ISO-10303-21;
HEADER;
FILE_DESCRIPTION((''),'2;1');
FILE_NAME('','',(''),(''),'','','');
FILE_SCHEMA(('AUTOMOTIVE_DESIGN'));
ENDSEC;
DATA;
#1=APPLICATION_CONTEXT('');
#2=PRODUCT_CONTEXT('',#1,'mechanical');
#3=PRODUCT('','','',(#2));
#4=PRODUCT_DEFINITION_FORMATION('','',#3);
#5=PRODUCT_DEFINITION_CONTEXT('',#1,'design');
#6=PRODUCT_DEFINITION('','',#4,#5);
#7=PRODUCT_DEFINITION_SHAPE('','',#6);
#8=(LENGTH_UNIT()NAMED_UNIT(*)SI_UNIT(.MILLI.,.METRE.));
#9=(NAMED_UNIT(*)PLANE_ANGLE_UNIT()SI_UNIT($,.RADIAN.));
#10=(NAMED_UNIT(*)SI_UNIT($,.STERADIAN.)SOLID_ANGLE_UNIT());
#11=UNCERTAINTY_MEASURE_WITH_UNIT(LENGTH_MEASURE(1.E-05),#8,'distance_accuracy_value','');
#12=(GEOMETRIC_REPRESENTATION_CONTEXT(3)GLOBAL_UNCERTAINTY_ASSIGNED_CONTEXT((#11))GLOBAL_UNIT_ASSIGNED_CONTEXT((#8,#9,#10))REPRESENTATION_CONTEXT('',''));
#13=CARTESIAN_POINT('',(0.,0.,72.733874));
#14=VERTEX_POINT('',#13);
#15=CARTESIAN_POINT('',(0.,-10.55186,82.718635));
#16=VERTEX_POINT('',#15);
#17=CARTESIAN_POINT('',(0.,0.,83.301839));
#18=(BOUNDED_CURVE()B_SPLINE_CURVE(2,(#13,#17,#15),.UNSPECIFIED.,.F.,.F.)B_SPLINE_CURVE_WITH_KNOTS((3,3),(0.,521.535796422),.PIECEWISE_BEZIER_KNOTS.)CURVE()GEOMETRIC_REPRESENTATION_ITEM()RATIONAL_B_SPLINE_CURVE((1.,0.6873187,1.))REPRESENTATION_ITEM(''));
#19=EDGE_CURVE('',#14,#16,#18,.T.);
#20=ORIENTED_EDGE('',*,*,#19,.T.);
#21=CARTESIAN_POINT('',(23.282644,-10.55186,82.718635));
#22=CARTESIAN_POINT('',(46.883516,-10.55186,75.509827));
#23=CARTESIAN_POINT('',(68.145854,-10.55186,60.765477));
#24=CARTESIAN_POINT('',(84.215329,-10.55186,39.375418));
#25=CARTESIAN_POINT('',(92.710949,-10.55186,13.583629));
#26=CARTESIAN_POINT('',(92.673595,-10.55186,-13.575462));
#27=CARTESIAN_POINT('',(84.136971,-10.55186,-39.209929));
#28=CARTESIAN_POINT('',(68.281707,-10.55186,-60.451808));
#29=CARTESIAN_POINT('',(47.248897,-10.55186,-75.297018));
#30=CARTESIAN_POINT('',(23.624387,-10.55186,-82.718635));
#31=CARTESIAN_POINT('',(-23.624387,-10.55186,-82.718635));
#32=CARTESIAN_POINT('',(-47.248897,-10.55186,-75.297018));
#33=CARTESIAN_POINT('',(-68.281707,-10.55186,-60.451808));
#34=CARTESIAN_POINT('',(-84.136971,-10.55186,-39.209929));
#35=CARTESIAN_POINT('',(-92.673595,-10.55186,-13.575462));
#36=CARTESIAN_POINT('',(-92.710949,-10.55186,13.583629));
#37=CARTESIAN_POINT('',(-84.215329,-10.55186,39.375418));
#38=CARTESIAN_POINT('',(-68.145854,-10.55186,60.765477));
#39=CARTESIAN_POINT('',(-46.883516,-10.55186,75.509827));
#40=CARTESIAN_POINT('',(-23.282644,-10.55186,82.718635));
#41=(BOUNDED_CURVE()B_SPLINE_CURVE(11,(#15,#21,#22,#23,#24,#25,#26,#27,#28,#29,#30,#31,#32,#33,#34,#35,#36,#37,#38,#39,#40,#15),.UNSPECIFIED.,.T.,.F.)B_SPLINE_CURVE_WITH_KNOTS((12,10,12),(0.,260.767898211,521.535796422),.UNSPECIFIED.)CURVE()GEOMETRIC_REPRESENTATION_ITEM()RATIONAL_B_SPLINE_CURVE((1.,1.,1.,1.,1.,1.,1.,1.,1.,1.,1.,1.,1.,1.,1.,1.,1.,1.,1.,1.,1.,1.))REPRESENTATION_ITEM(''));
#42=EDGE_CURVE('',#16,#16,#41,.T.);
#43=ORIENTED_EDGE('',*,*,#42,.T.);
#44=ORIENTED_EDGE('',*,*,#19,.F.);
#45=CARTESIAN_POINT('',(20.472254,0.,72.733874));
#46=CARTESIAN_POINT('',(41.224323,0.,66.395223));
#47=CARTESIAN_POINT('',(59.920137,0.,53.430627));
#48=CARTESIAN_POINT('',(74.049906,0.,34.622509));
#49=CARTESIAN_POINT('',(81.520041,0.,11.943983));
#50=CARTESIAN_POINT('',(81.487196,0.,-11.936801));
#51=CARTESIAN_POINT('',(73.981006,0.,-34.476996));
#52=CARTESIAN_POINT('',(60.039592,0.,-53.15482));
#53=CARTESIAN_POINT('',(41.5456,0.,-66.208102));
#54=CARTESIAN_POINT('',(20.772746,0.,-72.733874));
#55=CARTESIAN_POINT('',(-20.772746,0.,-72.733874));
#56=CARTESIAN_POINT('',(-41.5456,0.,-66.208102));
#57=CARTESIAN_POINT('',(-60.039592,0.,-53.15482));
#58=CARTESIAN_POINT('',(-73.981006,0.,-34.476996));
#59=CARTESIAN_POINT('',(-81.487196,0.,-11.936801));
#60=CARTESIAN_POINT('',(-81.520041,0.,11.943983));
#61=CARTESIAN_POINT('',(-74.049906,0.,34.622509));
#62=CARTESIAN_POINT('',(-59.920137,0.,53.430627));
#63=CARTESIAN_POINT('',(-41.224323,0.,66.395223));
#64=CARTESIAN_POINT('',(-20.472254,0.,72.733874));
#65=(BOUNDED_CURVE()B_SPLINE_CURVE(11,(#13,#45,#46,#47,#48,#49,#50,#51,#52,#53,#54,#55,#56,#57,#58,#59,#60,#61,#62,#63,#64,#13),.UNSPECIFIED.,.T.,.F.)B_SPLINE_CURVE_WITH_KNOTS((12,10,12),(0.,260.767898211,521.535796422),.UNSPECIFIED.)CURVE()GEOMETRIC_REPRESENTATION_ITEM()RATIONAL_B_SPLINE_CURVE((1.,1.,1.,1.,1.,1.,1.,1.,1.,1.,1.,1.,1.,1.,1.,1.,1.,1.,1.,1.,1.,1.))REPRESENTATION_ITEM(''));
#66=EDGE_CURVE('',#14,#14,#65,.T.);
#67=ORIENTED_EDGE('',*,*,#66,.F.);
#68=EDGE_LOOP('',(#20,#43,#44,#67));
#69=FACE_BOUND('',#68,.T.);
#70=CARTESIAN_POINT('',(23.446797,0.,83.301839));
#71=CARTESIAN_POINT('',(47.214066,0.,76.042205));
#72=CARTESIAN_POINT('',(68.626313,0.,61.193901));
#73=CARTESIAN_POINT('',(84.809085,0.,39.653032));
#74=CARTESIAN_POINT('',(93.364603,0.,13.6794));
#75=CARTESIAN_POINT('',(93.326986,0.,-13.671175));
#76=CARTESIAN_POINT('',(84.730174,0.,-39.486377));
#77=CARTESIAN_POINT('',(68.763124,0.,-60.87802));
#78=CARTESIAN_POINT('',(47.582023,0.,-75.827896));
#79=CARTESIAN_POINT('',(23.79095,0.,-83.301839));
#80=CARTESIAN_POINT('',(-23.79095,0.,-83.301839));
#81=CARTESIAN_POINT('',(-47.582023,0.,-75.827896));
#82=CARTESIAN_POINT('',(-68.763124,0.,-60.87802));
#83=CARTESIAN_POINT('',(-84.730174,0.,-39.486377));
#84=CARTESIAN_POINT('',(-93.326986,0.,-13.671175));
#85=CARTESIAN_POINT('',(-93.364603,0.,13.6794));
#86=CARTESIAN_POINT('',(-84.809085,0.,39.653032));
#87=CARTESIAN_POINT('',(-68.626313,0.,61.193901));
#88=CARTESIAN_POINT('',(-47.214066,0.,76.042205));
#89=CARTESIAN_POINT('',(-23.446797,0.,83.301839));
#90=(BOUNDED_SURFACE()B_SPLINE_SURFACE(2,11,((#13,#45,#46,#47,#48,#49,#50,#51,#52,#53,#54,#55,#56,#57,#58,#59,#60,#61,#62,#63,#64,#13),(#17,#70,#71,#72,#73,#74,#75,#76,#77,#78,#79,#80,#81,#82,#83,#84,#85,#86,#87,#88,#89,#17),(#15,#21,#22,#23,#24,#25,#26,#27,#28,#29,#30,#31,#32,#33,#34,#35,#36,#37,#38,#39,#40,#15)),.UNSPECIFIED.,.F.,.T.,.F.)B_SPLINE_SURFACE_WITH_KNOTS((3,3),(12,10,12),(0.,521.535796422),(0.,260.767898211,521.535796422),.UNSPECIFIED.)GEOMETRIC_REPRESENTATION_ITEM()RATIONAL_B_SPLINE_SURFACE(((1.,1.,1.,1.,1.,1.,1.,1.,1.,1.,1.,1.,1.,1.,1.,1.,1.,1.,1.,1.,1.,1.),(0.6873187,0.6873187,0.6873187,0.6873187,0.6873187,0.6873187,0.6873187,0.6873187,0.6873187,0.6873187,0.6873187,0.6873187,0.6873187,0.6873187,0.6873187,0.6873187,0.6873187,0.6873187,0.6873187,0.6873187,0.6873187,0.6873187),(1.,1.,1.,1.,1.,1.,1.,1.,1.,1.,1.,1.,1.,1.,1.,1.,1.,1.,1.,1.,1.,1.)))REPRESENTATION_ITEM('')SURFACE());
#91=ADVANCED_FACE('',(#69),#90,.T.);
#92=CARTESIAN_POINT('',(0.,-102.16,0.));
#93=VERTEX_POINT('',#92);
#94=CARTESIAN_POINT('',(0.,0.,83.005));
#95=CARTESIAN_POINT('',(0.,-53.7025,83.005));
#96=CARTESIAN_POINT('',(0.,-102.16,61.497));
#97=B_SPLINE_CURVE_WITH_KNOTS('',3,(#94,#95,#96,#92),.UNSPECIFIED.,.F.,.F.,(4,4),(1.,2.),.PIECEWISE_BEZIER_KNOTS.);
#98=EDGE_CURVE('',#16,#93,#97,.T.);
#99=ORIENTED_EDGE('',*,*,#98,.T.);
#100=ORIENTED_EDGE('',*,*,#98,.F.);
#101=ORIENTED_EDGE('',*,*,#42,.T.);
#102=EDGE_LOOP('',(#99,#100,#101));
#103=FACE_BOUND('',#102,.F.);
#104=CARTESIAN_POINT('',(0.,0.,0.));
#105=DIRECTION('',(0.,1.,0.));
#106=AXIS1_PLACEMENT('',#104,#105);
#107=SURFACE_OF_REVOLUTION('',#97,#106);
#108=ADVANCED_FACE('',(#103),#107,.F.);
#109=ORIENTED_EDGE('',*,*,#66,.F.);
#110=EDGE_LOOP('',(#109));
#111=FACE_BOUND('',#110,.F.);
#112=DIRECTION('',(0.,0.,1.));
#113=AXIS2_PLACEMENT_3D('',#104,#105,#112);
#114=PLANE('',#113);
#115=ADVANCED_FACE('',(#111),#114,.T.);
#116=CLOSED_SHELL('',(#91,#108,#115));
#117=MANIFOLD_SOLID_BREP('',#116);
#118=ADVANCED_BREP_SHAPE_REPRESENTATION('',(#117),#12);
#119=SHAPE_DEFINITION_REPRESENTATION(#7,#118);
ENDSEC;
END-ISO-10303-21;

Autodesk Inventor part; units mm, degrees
ref_plane "YZ Plane" through (0, 0, 0) normal (1, 0, 0) x (0, 1, 0)
ref_plane "XZ Plane" through (0, 0, 0) normal (0, 1, 0) x (-1, 0, 0)
ref_plane "XY Plane" through (0, 0, 0) normal (0, 0, 1) x (1, 0, 0)
sketch "Sketch1" plane through (0, 0, 0) normal (1, 0, 0) x (0, 1, 0)
  line L0 (0, 83.005) -> (-53.7025, 83.005) construction
  line L1 (-53.7025, 83.005) -> (-102.16, 61.497) construction
  line L2 (-102.16, 61.497) -> (-102.16, 0) construction
  spline S0 degree 3 poles (0, 83.005) (-53.7025, 83.005) (-102.16, 61.497) (-102.16, 0) knots 1 1 1 1 2 2 2 2
  line L3 (0, 130.2378) -> (0, -22.9579) construction
  line L4 (-149.6326, 0) -> (28.7335, 0) construction
  line L5 (0, 0) -> (0, 83.005)
  line L6 (0, 0) -> (-102.16, 0)
  dimension "d0" = 102.16
  dimension "d1" = 83.005
revolve "Revolution1" add sketch "Sketch1" angle 360 about axis through (0, 0, 0) along (0, 1, 0)
fillet "Fillet1" radius 10 1 edges at (0, 0, -83.005)
sketch "Sketch2" plane through (0.0005, 0, -0.0146) normal (0, 1, 0) x (1, 0, 0)
  line L0 (-81.5447, 81.5295) -> (81.7711, 81.5295) construction
  line L1 (81.7711, 81.5295) -> (81.7711, -81.0807) construction
  line L2 (81.7711, -81.0807) -> (-81.5447, -81.0807) construction
  line L3 (-81.5447, -81.0807) -> (-81.5447, 81.5295) construction
  point P0 (-0.0005, -0.0146)
decal "Decal1"
properties part number "Headlight_Round_Body"
